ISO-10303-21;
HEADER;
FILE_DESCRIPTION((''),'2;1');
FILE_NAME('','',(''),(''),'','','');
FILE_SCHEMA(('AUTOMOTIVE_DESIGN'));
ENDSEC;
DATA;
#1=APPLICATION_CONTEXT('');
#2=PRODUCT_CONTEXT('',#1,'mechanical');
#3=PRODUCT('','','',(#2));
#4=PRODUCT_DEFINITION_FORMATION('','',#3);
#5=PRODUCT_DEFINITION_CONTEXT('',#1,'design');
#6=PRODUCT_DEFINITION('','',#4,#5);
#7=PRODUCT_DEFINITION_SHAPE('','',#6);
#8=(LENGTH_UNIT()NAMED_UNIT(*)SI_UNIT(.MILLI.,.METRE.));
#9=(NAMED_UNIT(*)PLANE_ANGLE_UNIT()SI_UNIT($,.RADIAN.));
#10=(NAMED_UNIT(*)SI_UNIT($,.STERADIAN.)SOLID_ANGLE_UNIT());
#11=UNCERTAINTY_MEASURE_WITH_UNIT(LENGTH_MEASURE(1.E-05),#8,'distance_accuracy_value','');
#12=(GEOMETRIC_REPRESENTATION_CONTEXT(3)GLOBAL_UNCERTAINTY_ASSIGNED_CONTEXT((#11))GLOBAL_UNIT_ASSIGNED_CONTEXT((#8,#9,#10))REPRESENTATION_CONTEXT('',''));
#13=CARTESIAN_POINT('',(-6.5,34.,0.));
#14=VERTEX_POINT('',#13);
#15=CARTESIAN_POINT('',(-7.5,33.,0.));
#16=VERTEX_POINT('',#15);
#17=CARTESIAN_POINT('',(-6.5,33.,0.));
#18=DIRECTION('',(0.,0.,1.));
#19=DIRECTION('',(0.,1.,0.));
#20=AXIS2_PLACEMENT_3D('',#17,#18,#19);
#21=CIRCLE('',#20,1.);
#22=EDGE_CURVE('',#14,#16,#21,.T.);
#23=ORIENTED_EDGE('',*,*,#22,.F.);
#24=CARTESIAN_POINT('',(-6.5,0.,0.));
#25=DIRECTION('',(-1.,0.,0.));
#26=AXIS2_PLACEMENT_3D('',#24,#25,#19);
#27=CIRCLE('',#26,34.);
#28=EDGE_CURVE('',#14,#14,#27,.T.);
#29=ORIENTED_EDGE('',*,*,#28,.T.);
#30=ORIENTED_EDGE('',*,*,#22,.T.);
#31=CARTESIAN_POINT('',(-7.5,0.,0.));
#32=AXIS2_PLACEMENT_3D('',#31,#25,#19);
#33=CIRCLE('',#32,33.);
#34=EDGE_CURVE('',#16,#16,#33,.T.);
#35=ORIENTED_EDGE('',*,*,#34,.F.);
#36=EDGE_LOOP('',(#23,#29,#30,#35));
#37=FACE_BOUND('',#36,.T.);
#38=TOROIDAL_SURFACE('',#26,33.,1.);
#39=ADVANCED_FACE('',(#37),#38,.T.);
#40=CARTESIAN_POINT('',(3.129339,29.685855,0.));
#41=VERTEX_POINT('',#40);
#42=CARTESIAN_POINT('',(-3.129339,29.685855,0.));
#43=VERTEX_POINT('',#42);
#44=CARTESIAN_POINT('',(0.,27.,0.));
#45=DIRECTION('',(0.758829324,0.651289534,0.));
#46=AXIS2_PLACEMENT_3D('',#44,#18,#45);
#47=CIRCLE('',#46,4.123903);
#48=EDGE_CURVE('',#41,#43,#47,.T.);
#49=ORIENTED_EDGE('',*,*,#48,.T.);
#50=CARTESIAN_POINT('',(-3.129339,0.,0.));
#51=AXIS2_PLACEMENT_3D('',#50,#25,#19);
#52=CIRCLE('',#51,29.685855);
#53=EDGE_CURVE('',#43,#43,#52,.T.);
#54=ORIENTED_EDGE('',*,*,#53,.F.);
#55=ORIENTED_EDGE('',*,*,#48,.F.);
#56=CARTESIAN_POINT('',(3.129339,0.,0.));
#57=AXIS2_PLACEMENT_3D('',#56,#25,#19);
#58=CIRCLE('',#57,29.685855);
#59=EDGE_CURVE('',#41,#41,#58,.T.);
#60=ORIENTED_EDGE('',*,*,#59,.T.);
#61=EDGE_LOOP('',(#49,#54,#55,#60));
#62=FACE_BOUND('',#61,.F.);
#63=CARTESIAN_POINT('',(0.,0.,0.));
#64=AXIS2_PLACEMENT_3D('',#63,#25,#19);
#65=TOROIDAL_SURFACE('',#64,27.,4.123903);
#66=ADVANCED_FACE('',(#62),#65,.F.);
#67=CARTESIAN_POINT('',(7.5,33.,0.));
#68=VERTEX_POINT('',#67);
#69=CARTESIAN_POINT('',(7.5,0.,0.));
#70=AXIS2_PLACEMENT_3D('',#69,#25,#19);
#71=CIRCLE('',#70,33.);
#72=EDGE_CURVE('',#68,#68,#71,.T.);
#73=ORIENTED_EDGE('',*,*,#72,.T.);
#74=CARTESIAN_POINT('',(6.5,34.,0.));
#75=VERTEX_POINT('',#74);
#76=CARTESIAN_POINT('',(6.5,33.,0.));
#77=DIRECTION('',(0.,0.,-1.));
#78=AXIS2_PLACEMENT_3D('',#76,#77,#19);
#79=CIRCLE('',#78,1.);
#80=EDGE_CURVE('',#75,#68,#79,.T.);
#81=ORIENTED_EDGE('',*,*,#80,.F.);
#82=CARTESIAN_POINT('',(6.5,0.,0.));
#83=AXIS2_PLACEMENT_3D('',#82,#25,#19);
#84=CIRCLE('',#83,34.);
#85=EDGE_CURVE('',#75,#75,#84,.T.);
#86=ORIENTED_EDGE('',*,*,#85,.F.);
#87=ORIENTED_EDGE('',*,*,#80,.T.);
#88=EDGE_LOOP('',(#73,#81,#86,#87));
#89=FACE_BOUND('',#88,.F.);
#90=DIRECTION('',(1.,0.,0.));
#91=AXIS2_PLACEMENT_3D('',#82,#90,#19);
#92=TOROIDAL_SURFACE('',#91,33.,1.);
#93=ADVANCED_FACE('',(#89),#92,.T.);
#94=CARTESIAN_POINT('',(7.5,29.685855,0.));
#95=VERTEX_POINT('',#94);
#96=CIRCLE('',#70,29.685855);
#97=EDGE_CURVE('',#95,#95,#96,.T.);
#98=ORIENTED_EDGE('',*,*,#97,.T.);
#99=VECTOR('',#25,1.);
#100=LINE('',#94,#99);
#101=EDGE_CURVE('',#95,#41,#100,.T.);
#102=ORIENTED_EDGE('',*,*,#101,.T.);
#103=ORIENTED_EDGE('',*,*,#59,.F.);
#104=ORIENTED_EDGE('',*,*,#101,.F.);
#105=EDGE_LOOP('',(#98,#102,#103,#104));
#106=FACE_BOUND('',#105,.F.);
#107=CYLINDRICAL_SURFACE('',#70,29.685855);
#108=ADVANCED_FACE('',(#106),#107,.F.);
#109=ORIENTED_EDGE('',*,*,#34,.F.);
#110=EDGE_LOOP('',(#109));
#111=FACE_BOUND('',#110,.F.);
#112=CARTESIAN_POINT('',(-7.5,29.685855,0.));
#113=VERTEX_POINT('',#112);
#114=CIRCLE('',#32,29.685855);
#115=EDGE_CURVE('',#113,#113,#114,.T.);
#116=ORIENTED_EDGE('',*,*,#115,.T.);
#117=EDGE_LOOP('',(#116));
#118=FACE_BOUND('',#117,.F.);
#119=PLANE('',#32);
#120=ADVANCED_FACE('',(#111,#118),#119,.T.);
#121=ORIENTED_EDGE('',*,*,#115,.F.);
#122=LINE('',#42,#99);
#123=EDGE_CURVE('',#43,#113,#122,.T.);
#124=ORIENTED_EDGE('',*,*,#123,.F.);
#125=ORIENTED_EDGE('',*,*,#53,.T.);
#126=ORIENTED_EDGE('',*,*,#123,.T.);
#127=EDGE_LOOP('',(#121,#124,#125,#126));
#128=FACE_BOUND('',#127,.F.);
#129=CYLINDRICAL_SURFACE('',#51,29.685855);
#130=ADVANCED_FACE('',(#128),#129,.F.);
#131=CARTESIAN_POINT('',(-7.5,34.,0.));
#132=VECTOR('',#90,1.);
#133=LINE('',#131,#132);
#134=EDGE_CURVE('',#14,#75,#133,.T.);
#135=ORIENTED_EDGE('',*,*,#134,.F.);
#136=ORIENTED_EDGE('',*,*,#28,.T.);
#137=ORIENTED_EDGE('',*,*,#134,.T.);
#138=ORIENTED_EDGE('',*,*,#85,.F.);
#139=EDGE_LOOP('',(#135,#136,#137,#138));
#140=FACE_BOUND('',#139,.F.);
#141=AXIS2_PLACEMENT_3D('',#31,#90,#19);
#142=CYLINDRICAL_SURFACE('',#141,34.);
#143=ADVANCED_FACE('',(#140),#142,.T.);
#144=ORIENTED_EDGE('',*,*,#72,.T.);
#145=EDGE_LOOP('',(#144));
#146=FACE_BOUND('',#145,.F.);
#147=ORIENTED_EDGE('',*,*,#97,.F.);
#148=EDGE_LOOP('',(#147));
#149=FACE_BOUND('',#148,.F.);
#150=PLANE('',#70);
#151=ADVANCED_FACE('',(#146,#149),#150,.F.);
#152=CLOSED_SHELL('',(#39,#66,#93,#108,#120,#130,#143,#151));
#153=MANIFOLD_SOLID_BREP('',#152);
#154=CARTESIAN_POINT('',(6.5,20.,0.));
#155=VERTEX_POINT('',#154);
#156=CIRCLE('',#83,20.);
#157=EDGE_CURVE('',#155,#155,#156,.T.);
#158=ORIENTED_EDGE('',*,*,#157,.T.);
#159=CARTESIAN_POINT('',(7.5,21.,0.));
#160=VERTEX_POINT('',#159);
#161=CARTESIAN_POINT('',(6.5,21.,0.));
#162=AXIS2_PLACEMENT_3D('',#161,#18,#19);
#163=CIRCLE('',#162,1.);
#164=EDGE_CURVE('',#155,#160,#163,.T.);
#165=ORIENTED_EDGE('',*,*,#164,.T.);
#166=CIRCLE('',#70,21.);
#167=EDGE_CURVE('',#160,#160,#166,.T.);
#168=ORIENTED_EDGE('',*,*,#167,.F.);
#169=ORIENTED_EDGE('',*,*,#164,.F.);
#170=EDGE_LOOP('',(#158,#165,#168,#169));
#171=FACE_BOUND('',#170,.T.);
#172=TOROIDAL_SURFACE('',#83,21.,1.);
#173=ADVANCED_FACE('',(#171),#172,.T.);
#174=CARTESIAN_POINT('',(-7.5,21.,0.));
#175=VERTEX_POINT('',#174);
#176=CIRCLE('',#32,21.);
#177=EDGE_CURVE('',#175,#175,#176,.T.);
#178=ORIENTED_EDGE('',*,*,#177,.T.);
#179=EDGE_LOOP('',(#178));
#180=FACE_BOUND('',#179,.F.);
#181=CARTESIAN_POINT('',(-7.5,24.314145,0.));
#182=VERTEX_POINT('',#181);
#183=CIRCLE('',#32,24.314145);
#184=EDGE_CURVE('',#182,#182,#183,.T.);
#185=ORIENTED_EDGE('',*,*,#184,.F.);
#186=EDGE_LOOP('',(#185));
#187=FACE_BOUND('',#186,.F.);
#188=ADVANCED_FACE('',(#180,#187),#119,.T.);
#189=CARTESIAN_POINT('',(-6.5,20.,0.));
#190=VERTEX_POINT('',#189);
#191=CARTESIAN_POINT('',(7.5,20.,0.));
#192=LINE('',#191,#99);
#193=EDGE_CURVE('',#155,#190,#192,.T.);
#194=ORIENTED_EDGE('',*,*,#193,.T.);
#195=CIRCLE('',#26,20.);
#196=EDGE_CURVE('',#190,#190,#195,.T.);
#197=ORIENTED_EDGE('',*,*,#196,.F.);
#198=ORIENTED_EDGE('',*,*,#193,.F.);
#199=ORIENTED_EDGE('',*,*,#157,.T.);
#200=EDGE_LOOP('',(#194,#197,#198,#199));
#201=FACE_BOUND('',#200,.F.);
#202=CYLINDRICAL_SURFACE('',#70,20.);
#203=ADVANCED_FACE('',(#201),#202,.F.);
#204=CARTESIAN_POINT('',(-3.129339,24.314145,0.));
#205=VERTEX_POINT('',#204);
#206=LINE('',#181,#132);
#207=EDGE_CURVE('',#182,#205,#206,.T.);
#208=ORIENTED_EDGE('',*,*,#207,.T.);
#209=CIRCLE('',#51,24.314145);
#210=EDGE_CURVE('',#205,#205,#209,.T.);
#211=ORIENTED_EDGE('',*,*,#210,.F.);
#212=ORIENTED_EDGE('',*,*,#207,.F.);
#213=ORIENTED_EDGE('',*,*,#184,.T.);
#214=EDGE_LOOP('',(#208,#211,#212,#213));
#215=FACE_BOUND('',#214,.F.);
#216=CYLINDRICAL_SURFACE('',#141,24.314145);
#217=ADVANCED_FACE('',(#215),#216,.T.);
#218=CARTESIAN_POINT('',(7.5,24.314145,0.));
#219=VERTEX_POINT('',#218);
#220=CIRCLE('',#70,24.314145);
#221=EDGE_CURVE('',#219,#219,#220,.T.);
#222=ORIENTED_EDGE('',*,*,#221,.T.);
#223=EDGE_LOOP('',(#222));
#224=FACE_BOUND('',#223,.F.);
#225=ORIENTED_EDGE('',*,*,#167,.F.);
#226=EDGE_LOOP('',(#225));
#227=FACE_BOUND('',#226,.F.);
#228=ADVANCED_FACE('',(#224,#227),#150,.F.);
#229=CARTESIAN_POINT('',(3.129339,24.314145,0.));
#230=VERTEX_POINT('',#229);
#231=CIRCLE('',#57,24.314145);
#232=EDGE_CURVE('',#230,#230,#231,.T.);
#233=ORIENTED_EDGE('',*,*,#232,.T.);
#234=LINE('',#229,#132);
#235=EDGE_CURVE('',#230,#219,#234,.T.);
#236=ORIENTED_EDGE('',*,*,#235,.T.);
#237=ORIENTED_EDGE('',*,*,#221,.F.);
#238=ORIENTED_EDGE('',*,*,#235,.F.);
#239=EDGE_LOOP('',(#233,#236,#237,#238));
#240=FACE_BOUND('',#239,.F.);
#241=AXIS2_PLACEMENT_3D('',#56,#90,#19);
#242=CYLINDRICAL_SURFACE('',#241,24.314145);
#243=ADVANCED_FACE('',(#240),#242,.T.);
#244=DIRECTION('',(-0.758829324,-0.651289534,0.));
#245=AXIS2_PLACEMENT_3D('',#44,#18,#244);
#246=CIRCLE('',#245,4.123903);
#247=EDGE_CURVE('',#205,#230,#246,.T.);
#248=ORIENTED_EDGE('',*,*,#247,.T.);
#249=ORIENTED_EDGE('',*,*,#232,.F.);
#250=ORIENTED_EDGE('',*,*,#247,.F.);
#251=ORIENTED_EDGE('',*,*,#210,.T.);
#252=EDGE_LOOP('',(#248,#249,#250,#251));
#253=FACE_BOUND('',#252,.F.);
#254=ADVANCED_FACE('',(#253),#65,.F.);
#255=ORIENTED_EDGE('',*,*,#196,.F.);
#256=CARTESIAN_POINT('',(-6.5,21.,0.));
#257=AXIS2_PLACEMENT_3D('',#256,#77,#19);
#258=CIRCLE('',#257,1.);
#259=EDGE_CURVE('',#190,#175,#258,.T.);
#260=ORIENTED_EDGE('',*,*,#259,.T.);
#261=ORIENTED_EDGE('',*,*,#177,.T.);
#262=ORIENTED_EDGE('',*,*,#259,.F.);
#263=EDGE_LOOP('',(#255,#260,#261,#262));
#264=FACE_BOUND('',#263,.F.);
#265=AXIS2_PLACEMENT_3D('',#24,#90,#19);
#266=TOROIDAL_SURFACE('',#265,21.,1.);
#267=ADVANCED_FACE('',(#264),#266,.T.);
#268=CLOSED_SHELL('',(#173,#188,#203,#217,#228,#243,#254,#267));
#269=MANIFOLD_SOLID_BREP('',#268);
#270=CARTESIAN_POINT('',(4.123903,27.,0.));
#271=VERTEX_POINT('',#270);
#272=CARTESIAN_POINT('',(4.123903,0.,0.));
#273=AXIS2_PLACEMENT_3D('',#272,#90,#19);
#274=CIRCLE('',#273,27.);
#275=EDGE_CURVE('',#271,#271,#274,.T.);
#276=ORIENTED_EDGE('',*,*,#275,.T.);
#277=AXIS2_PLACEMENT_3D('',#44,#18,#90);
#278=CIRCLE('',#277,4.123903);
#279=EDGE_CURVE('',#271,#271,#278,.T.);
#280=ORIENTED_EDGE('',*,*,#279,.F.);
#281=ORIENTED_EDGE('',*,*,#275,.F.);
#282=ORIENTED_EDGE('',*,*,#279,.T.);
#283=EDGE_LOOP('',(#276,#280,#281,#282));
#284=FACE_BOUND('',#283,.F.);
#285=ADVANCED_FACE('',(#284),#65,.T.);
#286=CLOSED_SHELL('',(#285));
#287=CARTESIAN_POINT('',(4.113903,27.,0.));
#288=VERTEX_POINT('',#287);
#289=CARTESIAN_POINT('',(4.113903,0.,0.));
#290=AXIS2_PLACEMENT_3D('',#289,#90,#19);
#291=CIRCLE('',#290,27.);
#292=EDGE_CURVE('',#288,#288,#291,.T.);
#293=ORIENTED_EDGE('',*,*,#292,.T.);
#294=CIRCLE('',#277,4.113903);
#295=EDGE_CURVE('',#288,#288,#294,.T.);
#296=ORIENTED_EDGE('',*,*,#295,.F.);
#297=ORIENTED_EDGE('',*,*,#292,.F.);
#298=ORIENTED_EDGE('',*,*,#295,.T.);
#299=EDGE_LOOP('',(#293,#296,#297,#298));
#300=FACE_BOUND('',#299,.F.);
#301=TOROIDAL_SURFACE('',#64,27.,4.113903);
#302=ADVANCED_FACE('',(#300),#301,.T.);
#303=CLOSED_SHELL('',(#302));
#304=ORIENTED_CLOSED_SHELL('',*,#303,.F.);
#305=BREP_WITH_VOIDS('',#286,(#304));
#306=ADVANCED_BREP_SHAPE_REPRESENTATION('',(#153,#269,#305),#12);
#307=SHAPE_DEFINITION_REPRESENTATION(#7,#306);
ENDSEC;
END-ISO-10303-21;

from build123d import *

# Parameters (mm, degrees)
ZAOBLIT1_R = 1
ZAOBLIT2_R = 1
SKICA3_R   = 4.123903424
SKICA3_R_2 = 4.113903424


with BuildPart() as part:
    # Skica2 → Otočit kolem osy1 (revolve)
    with BuildSketch(Plane.XY):
        with BuildLine():
            Line((-7.5, 34), (7.5, 34))
            Line((7.5, 34), (7.5, 29.685855137))
            Line((7.5, 29.685855137), (3.12933885, 29.685855137))
            ThreePointArc((3.12933885, 29.685855137), (0, 31.123903424), (-3.12933885, 29.685855137))
            Line((-3.12933885, 29.685855137), (-7.5, 29.685855137))
            Line((-7.5, 29.685855137), (-7.5, 34))
        make_face()
        with BuildLine():
            Line((7.5, 20), (-7.5, 20))
            Line((-7.5, 20), (-7.5, 24.314144863))
            Line((-7.5, 24.314144863), (-3.12933885, 24.314144863))
            ThreePointArc((-3.12933885, 24.314144863), (0, 22.876096576), (3.12933885, 24.314144863))
            Line((3.12933885, 24.314144863), (7.5, 24.314144863))
            Line((7.5, 24.314144863), (7.5, 20))
        make_face()
    revolve(axis=Axis((0, 0, 0), (-1, 0, 0)))

    # Zaoblit1
    zaoblit1_edges = [part.edges().sort_by_distance(p)[0] for p in [
        (7.5, -34, 0),
        (-7.5, -34, 0),
    ]]
    fillet(zaoblit1_edges, radius=ZAOBLIT1_R)

    # Zaoblit2
    zaoblit2_edges = [part.edges().sort_by_distance(p)[0] for p in [
        (7.5, -20, 0),
        (-7.5, -20, 0),
    ]]
    fillet(zaoblit2_edges, radius=ZAOBLIT2_R)


with BuildPart() as body_2:
    # Skica3 → Otočit kolem osy2 (revolve)
    with BuildSketch(Plane.XY):
        with Locations((0, 27)):
            Circle(SKICA3_R)
        with Locations((0, 27)):
            Circle(SKICA3_R_2, mode=Mode.SUBTRACT)
    revolve(axis=Axis((0, 0, 0), (1, 0, 0)))


solid = Compound([part.part, body_2.part])
